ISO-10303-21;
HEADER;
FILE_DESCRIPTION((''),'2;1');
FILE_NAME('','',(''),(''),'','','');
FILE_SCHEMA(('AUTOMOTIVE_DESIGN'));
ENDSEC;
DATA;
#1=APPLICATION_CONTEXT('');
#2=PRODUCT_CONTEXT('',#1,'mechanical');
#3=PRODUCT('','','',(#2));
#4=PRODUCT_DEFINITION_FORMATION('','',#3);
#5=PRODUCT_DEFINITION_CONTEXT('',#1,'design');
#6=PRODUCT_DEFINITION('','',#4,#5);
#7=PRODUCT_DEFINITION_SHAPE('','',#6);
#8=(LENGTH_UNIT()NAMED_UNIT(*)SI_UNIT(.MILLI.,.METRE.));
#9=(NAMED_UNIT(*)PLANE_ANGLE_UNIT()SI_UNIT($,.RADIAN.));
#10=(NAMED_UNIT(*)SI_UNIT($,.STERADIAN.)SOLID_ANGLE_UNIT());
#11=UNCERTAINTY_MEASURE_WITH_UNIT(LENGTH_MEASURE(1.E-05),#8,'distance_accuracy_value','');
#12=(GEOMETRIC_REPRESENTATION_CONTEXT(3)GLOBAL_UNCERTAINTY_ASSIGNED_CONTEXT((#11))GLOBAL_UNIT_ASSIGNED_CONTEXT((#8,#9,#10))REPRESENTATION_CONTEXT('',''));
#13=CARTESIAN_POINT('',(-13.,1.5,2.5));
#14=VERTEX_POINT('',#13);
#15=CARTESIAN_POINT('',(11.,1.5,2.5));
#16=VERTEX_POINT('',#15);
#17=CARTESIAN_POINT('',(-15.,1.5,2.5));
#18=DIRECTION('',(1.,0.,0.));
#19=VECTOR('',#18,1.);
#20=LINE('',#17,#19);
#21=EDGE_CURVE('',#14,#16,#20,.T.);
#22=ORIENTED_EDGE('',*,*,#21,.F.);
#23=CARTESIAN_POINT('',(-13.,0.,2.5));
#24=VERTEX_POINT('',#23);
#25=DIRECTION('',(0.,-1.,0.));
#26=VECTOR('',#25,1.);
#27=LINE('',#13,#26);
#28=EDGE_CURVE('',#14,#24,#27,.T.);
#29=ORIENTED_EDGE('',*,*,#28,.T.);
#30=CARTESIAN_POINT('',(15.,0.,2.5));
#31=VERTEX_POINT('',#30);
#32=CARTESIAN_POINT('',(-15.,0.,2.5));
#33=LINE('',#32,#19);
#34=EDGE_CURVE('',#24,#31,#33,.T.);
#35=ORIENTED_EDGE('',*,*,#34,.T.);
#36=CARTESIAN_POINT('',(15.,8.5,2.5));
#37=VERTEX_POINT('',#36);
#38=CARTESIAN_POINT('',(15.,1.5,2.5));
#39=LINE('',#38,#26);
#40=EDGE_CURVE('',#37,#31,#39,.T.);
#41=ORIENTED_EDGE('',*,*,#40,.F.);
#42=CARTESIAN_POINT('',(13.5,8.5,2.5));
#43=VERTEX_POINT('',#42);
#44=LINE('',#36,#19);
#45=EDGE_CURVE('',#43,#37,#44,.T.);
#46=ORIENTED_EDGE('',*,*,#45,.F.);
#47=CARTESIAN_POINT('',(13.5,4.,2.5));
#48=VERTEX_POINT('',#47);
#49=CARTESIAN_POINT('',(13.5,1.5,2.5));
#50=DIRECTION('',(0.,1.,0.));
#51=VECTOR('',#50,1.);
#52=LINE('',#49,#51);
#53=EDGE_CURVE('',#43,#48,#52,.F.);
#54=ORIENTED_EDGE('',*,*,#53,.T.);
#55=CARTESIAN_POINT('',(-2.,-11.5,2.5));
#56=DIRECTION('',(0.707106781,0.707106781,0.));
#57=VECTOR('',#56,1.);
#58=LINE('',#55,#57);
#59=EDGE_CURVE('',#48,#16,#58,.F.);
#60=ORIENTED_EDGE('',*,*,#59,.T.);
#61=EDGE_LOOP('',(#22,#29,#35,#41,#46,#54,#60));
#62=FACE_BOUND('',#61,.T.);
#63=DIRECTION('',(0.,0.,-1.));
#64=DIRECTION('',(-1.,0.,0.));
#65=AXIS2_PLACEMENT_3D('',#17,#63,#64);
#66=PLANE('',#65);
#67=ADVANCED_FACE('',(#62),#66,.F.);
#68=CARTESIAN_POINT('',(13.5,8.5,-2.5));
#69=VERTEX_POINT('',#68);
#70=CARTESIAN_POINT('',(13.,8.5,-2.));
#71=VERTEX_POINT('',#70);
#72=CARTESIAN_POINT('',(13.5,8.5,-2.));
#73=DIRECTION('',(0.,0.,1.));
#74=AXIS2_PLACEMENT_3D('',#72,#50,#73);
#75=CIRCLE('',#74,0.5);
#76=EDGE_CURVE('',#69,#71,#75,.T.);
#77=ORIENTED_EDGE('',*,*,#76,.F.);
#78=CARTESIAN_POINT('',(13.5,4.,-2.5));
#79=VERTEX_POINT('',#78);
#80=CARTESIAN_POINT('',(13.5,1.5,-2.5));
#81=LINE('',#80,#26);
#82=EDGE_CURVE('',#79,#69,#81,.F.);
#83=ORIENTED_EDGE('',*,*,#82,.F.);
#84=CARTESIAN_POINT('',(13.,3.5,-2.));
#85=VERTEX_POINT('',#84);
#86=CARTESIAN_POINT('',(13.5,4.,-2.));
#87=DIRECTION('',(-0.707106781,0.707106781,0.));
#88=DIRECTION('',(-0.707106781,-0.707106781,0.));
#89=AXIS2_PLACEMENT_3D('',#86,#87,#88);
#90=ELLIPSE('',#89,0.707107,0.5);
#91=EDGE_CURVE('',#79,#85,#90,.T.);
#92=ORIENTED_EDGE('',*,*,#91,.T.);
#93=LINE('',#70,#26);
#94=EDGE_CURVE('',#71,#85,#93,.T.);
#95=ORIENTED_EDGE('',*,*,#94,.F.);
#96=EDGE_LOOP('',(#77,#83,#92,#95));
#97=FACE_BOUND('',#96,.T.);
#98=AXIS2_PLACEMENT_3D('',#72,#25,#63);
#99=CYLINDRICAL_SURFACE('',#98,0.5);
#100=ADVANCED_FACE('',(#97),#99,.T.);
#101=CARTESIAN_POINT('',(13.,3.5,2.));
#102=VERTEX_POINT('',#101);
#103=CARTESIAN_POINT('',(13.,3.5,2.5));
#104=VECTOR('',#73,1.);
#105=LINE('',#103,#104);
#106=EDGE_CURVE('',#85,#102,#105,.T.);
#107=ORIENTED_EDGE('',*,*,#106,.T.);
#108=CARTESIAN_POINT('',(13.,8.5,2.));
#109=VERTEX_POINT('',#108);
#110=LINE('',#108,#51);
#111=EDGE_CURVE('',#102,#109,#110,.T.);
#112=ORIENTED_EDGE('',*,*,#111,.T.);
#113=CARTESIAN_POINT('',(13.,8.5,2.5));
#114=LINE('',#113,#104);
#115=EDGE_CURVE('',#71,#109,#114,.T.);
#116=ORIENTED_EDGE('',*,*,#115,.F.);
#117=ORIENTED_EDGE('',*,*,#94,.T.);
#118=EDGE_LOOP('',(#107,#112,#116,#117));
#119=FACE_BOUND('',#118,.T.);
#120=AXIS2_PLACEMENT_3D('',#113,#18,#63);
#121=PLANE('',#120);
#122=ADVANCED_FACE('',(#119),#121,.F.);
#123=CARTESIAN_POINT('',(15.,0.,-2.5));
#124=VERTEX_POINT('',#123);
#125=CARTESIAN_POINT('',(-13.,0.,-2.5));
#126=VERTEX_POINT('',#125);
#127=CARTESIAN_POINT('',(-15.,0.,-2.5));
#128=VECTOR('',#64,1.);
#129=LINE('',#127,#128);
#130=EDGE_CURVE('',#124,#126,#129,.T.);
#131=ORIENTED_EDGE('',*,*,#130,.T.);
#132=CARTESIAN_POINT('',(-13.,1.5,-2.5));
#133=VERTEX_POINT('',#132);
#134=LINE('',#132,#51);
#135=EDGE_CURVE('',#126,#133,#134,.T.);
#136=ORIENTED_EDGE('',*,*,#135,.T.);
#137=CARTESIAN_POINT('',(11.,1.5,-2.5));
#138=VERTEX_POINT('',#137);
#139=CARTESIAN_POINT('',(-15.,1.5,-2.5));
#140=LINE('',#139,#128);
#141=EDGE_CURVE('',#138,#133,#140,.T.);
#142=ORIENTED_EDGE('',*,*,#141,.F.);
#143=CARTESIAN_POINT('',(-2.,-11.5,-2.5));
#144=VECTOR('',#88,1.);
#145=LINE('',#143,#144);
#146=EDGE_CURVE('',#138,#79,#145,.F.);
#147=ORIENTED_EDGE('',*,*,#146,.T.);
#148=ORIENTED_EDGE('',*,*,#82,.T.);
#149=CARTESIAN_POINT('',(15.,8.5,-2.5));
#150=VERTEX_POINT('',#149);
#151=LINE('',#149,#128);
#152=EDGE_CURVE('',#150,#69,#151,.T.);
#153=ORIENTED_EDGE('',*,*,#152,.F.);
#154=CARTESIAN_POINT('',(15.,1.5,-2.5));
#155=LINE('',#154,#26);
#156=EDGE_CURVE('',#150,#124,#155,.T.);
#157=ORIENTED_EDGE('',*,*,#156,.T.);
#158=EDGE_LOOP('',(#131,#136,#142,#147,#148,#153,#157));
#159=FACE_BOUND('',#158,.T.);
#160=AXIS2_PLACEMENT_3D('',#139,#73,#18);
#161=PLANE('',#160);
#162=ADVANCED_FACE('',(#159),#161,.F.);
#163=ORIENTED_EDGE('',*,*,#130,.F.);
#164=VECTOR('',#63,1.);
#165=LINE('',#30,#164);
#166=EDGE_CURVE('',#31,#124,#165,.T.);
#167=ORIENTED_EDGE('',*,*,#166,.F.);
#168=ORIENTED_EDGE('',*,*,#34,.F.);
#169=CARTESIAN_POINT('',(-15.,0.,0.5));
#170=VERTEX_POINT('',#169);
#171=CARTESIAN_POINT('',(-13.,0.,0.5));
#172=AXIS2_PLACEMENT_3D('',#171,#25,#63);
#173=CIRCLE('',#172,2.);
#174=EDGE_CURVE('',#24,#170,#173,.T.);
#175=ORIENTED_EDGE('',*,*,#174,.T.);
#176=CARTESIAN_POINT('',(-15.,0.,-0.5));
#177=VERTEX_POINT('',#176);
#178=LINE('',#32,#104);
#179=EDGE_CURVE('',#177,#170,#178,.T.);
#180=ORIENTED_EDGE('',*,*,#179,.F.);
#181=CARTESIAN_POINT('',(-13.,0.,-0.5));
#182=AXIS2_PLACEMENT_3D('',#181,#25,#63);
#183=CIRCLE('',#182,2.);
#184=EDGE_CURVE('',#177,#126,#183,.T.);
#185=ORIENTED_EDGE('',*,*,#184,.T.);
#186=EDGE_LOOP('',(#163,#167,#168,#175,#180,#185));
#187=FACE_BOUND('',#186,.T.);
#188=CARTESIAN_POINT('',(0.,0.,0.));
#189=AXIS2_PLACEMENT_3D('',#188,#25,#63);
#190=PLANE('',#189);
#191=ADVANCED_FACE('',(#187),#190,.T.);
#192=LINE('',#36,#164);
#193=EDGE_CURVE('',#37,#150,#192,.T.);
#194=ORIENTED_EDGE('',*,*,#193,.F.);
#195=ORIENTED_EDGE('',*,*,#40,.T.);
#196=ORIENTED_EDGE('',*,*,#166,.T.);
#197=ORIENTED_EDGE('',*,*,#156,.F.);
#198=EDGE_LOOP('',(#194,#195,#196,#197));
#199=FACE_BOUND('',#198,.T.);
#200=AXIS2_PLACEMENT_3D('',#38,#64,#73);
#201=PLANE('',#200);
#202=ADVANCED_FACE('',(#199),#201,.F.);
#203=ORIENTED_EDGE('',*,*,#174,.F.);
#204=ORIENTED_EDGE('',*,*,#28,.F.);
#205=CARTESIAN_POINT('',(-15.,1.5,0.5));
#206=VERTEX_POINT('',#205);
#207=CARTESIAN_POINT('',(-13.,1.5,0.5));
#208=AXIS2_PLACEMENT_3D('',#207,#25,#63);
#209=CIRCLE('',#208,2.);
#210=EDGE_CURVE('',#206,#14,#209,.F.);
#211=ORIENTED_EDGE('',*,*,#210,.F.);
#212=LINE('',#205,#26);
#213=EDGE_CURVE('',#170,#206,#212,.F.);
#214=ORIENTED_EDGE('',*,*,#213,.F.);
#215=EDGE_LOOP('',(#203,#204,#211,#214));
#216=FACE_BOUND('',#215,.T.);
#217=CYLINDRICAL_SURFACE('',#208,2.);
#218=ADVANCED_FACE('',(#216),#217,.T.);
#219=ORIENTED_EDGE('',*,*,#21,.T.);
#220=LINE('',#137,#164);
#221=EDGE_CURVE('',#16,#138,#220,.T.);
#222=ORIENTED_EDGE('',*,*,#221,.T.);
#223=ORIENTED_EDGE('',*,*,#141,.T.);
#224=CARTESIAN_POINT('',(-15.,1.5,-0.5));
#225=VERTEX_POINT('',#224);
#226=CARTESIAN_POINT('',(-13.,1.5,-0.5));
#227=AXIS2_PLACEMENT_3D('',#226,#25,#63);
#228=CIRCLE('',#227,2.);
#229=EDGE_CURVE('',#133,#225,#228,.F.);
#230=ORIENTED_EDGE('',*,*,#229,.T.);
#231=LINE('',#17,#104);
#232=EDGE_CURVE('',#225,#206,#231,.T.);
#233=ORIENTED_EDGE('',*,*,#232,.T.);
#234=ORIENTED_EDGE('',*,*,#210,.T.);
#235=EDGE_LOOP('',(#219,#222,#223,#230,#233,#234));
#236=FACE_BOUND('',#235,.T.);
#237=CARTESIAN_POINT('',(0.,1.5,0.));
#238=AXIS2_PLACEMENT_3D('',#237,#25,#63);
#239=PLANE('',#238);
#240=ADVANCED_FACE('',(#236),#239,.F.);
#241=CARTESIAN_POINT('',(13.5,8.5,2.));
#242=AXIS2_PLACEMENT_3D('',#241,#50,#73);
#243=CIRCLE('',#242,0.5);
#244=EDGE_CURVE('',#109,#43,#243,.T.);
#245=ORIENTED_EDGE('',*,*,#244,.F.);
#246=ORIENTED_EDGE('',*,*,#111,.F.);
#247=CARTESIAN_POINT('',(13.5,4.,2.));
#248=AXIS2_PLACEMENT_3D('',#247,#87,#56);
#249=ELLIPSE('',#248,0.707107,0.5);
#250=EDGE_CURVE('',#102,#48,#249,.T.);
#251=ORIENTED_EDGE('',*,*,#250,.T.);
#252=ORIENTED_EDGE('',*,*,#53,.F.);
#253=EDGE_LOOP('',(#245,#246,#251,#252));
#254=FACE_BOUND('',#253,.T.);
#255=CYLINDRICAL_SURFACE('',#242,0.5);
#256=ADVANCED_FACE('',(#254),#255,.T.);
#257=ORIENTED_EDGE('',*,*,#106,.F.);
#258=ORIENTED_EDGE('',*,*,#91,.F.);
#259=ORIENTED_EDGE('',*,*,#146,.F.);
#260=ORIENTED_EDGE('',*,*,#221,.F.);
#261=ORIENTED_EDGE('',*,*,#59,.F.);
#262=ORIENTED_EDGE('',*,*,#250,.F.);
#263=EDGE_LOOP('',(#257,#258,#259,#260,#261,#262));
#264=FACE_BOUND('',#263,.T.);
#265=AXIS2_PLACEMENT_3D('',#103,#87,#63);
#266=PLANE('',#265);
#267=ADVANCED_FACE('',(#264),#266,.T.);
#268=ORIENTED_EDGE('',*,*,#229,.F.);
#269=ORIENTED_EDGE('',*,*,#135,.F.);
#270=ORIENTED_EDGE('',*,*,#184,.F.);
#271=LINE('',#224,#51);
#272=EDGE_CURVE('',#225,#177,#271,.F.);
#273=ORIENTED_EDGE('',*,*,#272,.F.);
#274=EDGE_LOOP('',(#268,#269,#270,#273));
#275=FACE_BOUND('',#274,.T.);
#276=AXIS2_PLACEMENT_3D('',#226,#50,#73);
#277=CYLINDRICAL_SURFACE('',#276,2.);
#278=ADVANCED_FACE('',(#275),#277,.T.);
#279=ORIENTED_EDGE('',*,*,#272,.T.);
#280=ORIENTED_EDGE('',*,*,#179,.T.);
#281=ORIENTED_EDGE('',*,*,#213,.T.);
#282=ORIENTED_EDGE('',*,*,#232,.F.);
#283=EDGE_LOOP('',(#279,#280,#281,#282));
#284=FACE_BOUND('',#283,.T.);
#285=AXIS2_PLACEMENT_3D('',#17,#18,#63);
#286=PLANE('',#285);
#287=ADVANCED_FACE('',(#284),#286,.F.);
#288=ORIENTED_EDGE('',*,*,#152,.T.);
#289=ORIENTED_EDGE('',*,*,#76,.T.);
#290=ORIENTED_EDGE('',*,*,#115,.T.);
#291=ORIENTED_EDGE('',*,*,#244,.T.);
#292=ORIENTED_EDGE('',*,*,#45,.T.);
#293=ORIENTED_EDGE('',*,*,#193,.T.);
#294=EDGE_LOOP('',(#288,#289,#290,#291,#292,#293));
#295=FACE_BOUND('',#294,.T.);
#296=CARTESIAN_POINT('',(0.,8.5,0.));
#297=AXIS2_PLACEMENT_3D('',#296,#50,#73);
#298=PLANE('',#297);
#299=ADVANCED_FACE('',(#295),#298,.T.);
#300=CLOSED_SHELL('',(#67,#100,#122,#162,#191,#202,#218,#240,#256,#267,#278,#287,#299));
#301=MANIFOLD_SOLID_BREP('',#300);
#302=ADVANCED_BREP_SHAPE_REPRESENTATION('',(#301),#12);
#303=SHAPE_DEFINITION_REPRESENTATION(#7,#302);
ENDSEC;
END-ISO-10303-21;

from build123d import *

# Parameters (mm, degrees)
ESBO_O1_W                = 30
ESBO_O1_H                = 5
RESSALTO_EXTRUS_O1_DEPTH = 1.5
ESBO_O2_W                = 2
ESBO_O2_H                = 5
RESSALTO_EXTRUS_O2_DEPTH = 7
FILETE1_R                = 2
FILETE2_R                = 2
CHANFRO1_SIZE            = 2
FILETE4_R                = 0.5
FILETE5_R                = 0.5


with BuildPart() as part:
    # Esboço1 → Ressalto-extrusão1 (new body)
    with BuildSketch(Plane(origin=(0, 0, 0), x_dir=(1, 0, 0), z_dir=(0, 1, 0))):
        Rectangle(ESBO_O1_W, ESBO_O1_H)
    extrude(amount=RESSALTO_EXTRUS_O1_DEPTH)

    # Esboço2 → Ressalto-extrusão2 (add)
    with BuildSketch(Plane(origin=(0, 1.5, 0), x_dir=(1, 0, 0), z_dir=(0, 1, 0))):
        with Locations((14, 0)):
            Rectangle(ESBO_O2_W, ESBO_O2_H)
    extrude(amount=RESSALTO_EXTRUS_O2_DEPTH)

    # Filete1
    filete1_edges = [part.edges().sort_by_distance(p)[0] for p in [
        (-15, 0.75, 2.5),
    ]]
    fillet(filete1_edges, radius=FILETE1_R)

    # Filete2
    filete2_edges = [part.edges().sort_by_distance(p)[0] for p in [
        (-15, 0.75, -2.5),
    ]]
    fillet(filete2_edges, radius=FILETE2_R)

    # Chanfro1
    chanfro1_edges = [part.edges().sort_by_distance(p)[0] for p in [
        (13, 1.5, 0),
    ]]
    chamfer(chanfro1_edges, length=CHANFRO1_SIZE)

    # Filete4
    filete4_edges = [part.edges().sort_by_distance(p)[0] for p in [
        (13, 6, 2.5),
    ]]
    fillet(filete4_edges, radius=FILETE4_R)

    # Filete5
    filete5_edges = [part.edges().sort_by_distance(p)[0] for p in [
        (13, 6, -2.5),
    ]]
    fillet(filete5_edges, radius=FILETE5_R)


solid = part.part
